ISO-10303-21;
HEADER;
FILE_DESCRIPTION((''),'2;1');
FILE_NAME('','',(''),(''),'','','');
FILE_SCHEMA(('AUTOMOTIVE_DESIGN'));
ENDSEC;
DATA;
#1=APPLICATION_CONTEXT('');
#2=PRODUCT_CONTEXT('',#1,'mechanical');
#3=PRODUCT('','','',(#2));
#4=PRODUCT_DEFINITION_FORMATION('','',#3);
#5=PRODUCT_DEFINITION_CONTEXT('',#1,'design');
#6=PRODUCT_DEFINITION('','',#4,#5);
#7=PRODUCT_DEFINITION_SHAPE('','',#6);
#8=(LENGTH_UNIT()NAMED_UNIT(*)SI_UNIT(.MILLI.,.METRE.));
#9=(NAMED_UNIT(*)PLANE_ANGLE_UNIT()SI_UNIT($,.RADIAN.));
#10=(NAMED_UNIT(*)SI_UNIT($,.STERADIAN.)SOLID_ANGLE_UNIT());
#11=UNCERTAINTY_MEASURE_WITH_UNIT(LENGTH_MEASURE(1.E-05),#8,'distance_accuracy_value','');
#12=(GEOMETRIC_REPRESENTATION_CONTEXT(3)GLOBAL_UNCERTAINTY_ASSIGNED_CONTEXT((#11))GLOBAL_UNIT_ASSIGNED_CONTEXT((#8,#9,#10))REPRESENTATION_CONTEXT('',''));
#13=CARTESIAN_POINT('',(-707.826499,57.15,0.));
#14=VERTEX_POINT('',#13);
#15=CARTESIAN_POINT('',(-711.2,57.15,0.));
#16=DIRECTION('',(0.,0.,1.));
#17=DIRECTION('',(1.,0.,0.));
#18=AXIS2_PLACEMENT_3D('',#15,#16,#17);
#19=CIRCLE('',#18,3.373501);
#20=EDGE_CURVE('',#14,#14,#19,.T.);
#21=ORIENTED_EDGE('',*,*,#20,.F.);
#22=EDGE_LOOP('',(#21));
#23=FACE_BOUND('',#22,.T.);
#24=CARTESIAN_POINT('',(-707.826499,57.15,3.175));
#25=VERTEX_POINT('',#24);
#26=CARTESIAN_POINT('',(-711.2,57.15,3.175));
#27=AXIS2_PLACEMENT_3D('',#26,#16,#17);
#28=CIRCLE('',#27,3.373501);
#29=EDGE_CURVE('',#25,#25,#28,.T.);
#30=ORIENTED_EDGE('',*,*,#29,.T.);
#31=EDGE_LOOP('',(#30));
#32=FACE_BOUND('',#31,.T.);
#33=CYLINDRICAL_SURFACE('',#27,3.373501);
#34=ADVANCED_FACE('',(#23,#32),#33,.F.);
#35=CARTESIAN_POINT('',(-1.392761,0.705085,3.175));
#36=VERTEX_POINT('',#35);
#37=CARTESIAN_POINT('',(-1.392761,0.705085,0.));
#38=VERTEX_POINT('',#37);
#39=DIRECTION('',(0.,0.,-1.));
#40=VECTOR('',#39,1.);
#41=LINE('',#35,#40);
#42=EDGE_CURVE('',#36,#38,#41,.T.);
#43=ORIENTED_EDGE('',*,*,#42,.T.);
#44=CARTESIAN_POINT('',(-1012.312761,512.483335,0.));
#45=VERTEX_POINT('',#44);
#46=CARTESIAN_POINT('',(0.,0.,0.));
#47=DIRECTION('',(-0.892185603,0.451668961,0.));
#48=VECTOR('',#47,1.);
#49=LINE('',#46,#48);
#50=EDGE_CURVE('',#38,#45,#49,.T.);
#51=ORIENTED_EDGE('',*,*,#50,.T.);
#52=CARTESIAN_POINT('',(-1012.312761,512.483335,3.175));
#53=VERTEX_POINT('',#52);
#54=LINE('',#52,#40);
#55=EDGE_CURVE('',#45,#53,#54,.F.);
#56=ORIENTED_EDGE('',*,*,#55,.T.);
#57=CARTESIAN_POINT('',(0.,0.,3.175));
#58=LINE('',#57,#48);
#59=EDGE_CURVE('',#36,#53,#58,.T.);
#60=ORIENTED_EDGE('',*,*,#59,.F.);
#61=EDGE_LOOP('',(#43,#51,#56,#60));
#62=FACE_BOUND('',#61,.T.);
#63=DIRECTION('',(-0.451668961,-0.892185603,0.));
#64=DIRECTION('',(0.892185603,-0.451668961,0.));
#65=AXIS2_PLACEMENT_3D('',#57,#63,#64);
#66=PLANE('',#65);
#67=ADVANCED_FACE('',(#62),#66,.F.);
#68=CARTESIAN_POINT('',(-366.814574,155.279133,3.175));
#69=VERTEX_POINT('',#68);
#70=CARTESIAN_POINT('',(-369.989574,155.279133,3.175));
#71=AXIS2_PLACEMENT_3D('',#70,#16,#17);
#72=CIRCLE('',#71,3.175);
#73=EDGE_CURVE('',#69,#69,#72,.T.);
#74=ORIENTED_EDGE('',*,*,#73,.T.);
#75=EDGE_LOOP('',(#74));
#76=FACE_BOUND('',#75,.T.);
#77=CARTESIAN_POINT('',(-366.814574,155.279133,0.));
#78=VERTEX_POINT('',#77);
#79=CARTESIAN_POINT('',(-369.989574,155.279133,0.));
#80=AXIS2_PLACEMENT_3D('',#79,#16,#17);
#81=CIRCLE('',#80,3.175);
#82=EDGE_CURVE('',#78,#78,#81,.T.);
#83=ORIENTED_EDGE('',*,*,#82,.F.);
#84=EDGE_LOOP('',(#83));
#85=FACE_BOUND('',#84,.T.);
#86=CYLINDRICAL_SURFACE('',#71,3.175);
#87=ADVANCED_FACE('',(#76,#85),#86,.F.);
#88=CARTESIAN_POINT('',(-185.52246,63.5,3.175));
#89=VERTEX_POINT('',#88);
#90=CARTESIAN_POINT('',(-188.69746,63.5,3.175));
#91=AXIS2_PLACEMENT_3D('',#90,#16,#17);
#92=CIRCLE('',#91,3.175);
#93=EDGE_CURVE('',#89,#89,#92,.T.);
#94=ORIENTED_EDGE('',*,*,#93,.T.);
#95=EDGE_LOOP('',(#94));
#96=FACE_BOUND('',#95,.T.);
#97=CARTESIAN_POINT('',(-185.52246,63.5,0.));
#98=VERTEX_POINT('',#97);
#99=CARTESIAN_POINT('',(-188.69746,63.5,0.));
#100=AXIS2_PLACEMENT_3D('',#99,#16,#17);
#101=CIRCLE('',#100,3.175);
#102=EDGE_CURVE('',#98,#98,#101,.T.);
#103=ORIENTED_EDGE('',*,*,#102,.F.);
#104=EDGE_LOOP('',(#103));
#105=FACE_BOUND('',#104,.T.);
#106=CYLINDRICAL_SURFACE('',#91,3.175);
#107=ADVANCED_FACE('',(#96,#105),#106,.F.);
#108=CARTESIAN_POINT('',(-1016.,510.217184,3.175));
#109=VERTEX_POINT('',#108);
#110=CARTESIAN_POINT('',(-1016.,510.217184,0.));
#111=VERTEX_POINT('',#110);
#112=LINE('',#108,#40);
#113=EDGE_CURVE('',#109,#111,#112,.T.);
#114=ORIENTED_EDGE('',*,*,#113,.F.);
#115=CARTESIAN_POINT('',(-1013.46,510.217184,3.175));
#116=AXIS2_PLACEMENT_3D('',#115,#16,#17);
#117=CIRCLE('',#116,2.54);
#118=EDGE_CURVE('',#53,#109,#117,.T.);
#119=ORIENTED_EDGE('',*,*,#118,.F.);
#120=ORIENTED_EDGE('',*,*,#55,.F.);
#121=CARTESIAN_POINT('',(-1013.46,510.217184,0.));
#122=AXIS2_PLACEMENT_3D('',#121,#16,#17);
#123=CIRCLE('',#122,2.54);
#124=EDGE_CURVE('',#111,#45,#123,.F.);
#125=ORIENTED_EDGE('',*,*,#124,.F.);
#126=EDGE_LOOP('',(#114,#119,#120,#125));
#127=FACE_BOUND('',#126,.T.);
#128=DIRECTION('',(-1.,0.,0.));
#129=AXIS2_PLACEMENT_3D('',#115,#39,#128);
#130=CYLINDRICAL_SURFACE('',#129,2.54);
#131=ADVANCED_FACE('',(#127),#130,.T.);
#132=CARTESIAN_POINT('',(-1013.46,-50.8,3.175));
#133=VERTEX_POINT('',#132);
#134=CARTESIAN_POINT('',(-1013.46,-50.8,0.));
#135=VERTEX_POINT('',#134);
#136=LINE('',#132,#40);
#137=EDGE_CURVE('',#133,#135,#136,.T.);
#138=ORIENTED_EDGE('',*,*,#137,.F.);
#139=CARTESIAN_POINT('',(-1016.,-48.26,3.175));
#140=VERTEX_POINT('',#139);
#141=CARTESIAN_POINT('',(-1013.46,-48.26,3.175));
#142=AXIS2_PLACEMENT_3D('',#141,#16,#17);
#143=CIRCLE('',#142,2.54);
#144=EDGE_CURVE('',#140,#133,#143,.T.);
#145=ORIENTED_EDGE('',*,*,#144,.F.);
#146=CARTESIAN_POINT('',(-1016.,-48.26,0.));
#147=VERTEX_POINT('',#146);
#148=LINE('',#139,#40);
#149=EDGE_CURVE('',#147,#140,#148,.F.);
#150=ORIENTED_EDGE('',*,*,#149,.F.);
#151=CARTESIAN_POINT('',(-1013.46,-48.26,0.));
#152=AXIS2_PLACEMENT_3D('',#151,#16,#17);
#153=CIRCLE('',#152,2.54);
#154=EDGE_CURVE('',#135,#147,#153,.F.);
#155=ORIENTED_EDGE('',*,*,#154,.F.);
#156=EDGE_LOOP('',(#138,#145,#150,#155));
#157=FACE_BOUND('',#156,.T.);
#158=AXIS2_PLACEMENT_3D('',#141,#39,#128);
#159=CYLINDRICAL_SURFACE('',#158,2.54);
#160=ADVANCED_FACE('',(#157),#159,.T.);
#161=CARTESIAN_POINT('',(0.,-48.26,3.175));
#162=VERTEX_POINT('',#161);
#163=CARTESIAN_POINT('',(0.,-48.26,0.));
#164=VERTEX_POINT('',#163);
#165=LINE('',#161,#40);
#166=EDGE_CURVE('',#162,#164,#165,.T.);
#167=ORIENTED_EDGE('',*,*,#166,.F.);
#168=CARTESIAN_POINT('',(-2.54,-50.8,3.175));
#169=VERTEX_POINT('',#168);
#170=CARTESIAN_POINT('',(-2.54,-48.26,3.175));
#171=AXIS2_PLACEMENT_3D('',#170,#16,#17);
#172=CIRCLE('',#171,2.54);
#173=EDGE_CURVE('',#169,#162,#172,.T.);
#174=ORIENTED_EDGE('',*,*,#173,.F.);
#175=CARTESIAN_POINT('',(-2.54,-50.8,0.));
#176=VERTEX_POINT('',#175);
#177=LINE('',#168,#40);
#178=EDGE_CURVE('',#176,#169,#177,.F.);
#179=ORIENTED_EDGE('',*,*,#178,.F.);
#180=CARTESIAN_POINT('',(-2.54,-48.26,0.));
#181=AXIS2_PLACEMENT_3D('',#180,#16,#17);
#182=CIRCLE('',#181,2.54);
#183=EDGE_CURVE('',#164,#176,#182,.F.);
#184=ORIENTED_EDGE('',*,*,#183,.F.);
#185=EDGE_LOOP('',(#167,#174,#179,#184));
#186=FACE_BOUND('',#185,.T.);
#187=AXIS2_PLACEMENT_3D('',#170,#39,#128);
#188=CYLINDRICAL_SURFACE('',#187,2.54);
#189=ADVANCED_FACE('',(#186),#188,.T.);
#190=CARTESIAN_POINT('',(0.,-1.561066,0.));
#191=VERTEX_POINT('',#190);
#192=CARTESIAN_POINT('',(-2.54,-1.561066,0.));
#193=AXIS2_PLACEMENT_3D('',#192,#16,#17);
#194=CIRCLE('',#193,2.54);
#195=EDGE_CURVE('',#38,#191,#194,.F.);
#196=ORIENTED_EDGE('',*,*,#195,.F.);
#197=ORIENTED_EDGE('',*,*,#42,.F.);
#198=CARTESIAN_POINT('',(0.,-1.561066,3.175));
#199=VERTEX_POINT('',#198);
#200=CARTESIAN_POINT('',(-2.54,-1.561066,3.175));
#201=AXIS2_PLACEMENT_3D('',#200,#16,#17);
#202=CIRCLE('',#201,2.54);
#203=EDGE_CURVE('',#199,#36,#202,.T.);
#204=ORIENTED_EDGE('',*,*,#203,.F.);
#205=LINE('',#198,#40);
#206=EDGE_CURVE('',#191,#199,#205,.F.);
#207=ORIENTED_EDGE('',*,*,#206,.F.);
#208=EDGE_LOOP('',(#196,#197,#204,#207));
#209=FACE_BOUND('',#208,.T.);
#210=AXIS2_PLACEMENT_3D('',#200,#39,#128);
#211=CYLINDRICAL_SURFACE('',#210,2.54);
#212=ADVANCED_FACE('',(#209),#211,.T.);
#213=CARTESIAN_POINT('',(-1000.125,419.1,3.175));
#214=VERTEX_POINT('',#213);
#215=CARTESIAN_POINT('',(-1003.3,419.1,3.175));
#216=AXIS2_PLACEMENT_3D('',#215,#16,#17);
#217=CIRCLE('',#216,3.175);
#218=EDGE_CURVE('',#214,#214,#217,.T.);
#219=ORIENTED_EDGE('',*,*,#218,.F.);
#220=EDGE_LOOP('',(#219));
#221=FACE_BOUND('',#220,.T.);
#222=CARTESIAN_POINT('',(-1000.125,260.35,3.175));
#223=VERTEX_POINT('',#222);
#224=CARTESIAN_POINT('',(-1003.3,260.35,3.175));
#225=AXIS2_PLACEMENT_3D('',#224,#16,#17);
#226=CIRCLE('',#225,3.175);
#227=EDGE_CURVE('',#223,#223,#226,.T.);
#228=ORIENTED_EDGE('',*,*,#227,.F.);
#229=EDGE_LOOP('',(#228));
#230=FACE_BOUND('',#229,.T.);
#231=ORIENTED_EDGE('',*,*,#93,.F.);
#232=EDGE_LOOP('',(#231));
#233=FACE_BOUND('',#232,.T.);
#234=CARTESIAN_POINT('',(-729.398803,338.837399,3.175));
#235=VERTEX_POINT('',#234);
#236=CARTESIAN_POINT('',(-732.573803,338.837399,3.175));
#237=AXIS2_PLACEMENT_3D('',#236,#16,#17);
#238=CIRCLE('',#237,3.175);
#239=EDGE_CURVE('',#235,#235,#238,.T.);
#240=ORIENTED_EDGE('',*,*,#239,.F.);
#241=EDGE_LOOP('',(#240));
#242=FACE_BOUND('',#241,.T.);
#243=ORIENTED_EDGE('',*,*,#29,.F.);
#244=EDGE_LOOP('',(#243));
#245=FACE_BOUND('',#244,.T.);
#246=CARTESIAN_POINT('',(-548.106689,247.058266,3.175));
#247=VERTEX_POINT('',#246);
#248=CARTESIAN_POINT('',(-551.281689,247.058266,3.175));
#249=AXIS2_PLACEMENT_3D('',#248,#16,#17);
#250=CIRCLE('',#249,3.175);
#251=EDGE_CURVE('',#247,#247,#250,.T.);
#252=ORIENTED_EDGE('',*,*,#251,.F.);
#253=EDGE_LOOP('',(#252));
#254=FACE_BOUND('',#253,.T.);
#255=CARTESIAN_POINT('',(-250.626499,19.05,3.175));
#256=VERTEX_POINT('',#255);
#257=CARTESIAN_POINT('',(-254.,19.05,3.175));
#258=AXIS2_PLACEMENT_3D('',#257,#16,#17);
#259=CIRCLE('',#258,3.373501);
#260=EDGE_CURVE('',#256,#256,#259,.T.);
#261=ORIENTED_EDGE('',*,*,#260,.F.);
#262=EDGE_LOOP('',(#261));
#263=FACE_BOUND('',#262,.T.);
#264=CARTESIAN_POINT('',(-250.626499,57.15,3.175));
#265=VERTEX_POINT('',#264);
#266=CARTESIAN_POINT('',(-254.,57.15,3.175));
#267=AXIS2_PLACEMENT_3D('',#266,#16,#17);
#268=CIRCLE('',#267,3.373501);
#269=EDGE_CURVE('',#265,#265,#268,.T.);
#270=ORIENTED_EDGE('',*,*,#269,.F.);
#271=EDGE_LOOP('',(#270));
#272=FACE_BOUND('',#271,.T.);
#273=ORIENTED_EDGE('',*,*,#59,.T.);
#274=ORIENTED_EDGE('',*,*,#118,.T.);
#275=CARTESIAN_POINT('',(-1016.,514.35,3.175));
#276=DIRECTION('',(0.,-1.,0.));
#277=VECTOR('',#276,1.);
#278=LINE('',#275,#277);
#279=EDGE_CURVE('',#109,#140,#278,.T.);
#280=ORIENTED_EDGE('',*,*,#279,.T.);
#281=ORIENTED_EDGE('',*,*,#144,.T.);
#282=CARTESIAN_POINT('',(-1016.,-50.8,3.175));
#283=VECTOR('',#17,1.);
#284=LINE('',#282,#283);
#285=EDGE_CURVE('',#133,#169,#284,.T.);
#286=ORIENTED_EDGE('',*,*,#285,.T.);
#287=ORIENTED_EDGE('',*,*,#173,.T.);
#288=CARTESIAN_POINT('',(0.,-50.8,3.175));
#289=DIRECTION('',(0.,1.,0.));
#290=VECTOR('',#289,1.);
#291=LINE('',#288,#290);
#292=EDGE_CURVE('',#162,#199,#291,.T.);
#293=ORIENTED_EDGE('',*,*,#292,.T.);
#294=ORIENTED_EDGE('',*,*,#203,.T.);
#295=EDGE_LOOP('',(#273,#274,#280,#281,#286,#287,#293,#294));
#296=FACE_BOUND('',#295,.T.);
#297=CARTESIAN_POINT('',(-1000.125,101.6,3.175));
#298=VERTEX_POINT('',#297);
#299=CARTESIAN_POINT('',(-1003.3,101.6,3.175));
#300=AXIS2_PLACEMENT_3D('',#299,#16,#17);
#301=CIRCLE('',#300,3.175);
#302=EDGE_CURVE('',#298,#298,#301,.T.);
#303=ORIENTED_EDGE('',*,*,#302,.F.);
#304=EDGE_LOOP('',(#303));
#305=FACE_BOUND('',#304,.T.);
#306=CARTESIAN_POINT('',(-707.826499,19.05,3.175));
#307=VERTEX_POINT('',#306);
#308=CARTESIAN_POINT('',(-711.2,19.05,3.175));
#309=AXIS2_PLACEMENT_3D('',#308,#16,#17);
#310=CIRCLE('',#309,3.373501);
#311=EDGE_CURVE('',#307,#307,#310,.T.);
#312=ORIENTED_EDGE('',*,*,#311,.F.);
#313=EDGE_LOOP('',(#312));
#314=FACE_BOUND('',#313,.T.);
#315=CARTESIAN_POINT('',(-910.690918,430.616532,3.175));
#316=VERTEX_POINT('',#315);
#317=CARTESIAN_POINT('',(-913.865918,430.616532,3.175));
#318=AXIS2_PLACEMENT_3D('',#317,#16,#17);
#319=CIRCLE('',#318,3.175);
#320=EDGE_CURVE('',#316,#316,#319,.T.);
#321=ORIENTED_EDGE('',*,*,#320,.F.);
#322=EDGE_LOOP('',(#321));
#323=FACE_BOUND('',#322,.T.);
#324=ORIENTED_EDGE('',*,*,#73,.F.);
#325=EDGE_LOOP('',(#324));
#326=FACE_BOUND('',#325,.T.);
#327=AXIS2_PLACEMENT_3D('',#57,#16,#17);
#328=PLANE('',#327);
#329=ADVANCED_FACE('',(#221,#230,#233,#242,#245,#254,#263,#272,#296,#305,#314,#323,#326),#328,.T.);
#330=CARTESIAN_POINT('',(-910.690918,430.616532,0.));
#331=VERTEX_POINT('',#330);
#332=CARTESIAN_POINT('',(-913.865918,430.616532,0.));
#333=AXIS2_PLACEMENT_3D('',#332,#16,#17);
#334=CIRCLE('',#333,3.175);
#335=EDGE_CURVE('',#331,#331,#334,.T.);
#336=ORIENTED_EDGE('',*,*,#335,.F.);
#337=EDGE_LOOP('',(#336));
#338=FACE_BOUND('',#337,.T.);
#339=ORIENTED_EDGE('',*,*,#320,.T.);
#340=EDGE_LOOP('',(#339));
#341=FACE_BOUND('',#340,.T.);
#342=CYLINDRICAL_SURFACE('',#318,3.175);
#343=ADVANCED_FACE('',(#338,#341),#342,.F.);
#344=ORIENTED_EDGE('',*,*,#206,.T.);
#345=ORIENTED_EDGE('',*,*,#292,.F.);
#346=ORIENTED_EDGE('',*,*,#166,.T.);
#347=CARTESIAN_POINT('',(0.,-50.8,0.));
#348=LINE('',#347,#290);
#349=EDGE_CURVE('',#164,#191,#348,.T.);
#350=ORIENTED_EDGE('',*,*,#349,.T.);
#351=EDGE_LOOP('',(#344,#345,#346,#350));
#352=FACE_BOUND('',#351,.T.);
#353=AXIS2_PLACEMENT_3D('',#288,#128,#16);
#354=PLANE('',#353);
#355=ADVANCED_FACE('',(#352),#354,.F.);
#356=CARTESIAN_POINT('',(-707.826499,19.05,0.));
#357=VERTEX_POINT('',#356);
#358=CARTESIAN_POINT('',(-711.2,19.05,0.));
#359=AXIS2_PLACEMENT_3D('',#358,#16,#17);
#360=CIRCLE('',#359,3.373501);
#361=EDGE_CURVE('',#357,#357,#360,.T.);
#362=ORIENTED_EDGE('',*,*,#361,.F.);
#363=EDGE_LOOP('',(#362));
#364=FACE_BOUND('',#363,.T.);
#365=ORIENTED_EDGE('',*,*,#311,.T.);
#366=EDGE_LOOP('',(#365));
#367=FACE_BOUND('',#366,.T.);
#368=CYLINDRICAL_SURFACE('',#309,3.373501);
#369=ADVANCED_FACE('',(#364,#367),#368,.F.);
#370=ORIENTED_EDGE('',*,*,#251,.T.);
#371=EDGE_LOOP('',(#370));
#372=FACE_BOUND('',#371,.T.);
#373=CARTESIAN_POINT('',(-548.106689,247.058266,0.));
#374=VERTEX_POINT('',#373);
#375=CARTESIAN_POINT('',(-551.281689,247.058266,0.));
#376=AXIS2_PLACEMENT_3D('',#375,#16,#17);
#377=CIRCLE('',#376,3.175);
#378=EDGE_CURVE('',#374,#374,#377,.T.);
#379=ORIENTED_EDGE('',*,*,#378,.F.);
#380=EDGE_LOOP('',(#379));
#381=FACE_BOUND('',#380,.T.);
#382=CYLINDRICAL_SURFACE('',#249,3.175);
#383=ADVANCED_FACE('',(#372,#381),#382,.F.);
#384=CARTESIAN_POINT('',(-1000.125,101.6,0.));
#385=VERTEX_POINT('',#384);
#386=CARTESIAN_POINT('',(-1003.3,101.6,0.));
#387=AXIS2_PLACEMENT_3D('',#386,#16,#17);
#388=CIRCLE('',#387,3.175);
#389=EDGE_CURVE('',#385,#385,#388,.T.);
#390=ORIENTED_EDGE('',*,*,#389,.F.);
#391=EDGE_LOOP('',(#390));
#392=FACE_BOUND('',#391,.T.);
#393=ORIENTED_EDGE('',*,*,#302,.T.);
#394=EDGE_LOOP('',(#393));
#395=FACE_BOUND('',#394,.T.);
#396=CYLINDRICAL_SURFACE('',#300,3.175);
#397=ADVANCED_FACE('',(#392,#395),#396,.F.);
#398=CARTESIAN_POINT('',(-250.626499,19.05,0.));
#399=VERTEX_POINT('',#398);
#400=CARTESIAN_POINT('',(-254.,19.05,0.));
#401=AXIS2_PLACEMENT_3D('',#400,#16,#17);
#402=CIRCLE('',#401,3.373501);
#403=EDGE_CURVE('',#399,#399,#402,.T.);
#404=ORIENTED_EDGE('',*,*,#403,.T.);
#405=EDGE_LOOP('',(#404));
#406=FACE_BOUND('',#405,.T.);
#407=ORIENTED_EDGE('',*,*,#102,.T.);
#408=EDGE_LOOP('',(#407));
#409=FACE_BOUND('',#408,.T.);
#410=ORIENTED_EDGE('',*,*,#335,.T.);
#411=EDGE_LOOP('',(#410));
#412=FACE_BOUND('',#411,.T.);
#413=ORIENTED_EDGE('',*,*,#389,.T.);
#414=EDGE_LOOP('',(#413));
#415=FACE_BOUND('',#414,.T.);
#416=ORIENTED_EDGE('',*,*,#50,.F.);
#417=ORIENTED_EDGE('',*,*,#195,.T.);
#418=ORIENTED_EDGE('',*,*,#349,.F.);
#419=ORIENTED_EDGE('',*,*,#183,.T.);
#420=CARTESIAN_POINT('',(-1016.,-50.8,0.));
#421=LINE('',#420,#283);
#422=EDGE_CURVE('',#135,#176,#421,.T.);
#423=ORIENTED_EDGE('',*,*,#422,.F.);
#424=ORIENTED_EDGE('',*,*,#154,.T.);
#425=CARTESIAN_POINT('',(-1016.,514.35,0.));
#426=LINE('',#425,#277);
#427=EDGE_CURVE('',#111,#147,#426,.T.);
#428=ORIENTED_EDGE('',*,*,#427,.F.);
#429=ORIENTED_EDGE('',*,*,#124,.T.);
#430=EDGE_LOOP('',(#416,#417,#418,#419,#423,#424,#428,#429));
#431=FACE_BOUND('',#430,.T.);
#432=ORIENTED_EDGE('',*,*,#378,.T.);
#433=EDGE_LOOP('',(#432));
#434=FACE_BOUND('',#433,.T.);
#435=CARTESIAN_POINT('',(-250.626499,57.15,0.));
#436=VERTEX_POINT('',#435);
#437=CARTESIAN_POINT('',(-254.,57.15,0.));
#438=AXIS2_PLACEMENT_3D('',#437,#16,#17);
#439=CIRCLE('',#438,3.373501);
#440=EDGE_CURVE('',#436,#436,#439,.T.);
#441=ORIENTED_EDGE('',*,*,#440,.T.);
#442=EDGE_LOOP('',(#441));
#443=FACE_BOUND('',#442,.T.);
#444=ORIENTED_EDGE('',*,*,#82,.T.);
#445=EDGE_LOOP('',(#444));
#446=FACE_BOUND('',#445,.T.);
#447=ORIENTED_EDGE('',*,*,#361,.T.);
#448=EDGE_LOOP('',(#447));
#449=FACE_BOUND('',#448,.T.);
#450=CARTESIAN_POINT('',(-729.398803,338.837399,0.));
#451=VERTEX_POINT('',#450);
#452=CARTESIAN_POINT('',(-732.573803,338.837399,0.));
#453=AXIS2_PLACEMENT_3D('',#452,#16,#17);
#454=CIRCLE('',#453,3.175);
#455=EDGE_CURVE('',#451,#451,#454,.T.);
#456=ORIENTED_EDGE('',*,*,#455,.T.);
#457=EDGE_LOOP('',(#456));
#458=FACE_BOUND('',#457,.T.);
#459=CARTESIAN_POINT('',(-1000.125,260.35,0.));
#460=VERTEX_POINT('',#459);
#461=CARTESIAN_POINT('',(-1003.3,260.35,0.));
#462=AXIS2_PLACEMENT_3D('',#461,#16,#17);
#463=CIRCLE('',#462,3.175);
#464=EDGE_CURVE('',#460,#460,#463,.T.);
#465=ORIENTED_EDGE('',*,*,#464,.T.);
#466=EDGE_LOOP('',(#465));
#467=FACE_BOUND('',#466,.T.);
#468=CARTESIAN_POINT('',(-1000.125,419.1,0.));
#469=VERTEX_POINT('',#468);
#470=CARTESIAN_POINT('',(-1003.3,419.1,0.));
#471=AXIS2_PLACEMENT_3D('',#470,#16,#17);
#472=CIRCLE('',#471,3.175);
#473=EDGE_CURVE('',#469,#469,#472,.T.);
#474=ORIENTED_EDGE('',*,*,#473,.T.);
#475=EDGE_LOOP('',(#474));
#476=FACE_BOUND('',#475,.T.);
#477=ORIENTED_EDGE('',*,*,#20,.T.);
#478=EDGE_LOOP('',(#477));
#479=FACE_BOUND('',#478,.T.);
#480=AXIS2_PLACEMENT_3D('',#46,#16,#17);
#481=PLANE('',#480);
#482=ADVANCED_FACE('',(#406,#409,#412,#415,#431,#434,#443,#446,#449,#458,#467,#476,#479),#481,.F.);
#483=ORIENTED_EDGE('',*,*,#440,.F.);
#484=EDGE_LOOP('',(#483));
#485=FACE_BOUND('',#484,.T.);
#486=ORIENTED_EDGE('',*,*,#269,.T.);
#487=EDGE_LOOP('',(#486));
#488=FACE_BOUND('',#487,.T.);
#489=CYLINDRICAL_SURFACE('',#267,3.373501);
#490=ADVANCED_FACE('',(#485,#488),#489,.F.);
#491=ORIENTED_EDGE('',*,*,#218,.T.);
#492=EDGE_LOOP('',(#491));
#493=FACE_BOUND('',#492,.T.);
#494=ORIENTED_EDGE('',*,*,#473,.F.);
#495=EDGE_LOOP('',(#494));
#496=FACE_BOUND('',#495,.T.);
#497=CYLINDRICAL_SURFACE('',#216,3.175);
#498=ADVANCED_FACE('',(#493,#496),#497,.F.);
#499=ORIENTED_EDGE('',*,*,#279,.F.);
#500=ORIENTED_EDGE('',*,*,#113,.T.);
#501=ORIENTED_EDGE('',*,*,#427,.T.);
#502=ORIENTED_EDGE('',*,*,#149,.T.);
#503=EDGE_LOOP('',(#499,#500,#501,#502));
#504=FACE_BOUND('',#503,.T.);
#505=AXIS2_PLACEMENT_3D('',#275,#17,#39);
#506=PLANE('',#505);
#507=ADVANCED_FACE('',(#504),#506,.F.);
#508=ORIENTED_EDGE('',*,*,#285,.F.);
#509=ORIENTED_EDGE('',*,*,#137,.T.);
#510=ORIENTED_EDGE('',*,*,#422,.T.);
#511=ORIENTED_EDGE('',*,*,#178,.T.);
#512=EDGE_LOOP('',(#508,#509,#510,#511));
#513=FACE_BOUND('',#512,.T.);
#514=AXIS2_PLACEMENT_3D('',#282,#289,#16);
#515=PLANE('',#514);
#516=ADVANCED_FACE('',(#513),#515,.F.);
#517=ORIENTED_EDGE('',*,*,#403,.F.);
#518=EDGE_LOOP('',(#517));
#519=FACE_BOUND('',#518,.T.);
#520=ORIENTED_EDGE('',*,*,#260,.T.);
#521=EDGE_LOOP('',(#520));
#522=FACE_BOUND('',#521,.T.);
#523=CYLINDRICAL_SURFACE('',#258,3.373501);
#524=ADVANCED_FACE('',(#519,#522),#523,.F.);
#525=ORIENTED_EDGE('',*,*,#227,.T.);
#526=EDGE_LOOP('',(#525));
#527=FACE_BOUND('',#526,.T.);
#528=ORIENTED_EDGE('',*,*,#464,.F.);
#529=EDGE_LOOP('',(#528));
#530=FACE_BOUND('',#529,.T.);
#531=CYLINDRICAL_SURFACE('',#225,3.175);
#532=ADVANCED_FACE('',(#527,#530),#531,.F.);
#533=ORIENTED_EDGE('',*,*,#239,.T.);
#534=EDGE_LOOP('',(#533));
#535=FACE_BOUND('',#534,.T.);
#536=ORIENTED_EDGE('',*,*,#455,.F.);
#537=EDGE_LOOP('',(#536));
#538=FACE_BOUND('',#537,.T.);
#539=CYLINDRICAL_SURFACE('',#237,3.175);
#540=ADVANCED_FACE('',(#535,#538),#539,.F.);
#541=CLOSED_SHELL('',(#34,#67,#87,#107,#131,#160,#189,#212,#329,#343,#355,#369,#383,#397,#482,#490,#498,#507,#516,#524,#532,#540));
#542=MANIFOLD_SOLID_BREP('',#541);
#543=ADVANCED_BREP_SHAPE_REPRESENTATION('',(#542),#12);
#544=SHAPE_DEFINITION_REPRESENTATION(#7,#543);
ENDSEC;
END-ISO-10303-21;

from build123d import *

# Parameters (mm, degrees)
BOSS_EXTRUDE1_DEPTH              = 3.175
F_1_4_0_25_DIAMETER_HOLE1_D      = 6.35
F_17_64_0_26563_DIAMETER_HOLE1_D = 6.747002
FILLET1_R                        = 2.54
F_1_4_0_25_DIAMETER_HOLE2_D      = 6.35


with BuildPart() as part:
    # Sketch1 → Boss-Extrude1 (new body)
    with BuildSketch(Plane.XY):
        Polygon((-1016, 514.35), (-1016, -50.8), (0, -50.8), (0, 0), align=None)
    extrude(amount=BOSS_EXTRUDE1_DEPTH)

    # 1/4 (0.25) Diameter Hole1 (through all)
    with Locations(Plane.XY.offset(3.175)):
        with Locations((-1003.3, 419.1), (-1003.3, 260.35), (-1003.3, 101.6)):
            Hole(F_1_4_0_25_DIAMETER_HOLE1_D / 2)

    # 17/64 (0.26563) Diameter Hole1 (through all)
    with Locations(Plane.XY.offset(3.175)):
        with Locations((-254, 19.05), (-711.2, 57.15), (-711.2, 19.05), (-254, 57.15)):
            Hole(F_17_64_0_26563_DIAMETER_HOLE1_D / 2)

    # Fillet1
    fillet1_edges = [part.edges().sort_by_distance(p)[0] for p in [
        (0, 0, 1.5875),
        (0, -50.8, 1.5875),
        (-1016, -50.8, 1.5875),
        (-1016, 514.35, 1.5875),
    ]]
    fillet(fillet1_edges, radius=FILLET1_R)

    # 1/4 (0.25) Diameter Hole2 (through all)
    with Locations(Plane.XY.offset(3.175)):
        with Locations((-913.865917768, 430.616531739), (-732.573803329, 338.837398804), (-188.697460012, 63.5), (-369.989574451, 155.279132935), (-551.28168889, 247.058265869)):
            Hole(F_1_4_0_25_DIAMETER_HOLE2_D / 2)


solid = part.part
